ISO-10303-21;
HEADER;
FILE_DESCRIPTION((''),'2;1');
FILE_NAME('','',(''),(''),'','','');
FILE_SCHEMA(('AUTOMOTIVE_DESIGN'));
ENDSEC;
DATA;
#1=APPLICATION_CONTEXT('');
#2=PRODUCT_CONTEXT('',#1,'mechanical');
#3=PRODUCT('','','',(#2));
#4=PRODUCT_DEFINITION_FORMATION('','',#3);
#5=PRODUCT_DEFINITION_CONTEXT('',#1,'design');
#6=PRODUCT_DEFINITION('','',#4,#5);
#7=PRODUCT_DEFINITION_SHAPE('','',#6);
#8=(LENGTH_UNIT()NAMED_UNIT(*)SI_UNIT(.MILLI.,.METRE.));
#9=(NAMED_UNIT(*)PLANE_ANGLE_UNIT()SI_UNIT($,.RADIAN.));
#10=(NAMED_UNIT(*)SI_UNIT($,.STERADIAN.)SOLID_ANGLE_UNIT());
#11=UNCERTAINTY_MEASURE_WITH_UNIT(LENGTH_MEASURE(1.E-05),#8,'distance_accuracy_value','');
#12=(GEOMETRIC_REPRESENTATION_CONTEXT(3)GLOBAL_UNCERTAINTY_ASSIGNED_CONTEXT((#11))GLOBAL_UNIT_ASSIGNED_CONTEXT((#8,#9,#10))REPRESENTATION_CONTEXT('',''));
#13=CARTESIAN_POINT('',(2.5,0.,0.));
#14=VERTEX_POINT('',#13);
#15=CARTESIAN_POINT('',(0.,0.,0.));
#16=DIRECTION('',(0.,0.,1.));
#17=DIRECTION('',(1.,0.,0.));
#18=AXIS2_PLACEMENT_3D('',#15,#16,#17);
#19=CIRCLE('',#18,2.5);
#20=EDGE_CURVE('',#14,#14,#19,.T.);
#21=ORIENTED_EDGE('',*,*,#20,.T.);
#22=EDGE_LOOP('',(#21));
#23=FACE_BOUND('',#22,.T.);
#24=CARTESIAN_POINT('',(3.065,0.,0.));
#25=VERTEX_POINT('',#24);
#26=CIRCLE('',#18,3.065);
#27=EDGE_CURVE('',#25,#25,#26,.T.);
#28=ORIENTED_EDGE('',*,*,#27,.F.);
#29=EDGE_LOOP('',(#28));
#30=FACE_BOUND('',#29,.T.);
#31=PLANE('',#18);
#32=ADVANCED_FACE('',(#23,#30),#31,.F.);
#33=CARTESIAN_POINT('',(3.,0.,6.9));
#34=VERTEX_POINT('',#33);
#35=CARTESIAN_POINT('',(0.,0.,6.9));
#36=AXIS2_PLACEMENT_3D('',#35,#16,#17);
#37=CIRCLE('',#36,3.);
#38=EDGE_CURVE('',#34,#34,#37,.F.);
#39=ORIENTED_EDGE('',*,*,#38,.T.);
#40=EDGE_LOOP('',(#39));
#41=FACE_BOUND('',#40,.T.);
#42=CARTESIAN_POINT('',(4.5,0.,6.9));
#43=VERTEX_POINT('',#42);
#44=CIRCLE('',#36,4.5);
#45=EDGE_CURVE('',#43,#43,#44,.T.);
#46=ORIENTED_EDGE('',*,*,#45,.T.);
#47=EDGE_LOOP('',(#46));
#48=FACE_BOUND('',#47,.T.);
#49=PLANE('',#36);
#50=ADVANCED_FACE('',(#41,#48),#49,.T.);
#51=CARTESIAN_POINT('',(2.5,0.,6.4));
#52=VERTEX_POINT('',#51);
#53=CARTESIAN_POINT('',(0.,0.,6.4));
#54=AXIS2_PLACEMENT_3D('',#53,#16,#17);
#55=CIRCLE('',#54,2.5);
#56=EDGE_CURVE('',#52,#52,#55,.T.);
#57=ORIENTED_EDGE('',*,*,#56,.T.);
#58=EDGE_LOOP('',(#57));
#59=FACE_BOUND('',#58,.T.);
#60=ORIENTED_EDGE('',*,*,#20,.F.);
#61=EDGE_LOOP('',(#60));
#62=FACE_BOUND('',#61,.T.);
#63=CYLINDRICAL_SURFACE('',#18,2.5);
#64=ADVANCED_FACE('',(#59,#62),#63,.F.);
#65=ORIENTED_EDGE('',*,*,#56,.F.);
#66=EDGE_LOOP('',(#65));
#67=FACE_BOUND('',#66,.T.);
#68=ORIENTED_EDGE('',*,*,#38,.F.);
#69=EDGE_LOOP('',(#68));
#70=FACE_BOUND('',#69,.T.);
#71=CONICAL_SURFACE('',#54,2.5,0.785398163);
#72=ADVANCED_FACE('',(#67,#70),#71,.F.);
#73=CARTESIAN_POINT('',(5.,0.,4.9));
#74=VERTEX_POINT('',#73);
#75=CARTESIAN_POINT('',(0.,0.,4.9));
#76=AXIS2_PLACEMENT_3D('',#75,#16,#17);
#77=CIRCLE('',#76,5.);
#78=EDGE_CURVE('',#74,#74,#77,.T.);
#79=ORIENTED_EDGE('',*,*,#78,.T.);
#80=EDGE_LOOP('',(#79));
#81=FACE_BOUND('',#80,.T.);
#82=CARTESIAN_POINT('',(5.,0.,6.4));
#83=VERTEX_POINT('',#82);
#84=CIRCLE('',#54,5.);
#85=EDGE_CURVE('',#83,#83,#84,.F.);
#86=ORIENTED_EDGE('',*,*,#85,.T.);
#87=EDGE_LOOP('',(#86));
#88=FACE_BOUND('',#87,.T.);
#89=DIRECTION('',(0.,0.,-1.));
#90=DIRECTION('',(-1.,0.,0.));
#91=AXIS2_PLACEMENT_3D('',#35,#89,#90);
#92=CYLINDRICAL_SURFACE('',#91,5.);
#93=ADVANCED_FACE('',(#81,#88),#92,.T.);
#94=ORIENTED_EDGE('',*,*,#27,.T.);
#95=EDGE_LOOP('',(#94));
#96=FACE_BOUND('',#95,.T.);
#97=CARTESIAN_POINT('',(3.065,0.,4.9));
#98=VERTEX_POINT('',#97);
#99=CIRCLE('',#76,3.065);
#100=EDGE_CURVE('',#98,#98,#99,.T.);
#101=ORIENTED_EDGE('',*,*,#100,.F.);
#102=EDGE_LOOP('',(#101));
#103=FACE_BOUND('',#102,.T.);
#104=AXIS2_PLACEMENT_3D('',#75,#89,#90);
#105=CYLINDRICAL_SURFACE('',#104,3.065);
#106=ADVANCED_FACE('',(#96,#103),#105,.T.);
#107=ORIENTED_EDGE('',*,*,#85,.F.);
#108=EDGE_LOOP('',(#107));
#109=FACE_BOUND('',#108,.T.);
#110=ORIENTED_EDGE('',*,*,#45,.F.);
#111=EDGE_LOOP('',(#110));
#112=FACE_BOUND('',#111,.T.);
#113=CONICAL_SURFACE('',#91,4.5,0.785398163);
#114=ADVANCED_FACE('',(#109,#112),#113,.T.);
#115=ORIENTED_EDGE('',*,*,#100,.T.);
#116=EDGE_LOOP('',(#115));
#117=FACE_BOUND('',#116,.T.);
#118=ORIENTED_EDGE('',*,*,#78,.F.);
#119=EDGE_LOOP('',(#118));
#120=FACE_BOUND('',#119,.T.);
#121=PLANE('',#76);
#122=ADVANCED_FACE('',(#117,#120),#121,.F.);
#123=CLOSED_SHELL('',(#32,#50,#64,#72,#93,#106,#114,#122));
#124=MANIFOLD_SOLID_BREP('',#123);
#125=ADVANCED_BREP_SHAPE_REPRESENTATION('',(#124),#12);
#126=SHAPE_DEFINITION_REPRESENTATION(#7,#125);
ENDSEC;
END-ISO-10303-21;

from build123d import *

# Parameters (mm, degrees)
SKETCH1_R           = 3.065
BOSS_EXTRUDE1_DEPTH = 4.9
SKETCH2_R           = 5
BOSS_EXTRUDE2_DEPTH = 2
SKETCH3_R           = 2.5
CUT_EXTRUDE1_DEPTH  = 7.9
CHAMFER1_SIZE       = 0.5
CHAMFER2_SIZE       = 0.5


with BuildPart() as part:
    # Sketch1 → Boss-Extrude1 (new body)
    with BuildSketch(Plane.XY):
        Circle(SKETCH1_R)
    extrude(amount=BOSS_EXTRUDE1_DEPTH)

    # Sketch2 → Boss-Extrude2 (add)
    with BuildSketch(Plane.XY.offset(4.9)):
        Circle(SKETCH2_R)
    extrude(amount=BOSS_EXTRUDE2_DEPTH)

    # Sketch3 → Cut-Extrude1 (cut, through all)
    with BuildSketch(Plane.XY.offset(6.9)):
        Circle(SKETCH3_R)
    extrude(amount=-CUT_EXTRUDE1_DEPTH, mode=Mode.SUBTRACT)

    # Chamfer1
    chamfer1_edges = [part.edges().sort_by_distance(p)[0] for p in [
        (-5, 0, 6.9),
    ]]
    chamfer(chamfer1_edges, length=CHAMFER1_SIZE)

    # Chamfer2
    chamfer2_edges = [part.edges().sort_by_distance(p)[0] for p in [
        (-2.5, 0, 6.9),
    ]]
    chamfer(chamfer2_edges, length=CHAMFER2_SIZE)


solid = part.part
